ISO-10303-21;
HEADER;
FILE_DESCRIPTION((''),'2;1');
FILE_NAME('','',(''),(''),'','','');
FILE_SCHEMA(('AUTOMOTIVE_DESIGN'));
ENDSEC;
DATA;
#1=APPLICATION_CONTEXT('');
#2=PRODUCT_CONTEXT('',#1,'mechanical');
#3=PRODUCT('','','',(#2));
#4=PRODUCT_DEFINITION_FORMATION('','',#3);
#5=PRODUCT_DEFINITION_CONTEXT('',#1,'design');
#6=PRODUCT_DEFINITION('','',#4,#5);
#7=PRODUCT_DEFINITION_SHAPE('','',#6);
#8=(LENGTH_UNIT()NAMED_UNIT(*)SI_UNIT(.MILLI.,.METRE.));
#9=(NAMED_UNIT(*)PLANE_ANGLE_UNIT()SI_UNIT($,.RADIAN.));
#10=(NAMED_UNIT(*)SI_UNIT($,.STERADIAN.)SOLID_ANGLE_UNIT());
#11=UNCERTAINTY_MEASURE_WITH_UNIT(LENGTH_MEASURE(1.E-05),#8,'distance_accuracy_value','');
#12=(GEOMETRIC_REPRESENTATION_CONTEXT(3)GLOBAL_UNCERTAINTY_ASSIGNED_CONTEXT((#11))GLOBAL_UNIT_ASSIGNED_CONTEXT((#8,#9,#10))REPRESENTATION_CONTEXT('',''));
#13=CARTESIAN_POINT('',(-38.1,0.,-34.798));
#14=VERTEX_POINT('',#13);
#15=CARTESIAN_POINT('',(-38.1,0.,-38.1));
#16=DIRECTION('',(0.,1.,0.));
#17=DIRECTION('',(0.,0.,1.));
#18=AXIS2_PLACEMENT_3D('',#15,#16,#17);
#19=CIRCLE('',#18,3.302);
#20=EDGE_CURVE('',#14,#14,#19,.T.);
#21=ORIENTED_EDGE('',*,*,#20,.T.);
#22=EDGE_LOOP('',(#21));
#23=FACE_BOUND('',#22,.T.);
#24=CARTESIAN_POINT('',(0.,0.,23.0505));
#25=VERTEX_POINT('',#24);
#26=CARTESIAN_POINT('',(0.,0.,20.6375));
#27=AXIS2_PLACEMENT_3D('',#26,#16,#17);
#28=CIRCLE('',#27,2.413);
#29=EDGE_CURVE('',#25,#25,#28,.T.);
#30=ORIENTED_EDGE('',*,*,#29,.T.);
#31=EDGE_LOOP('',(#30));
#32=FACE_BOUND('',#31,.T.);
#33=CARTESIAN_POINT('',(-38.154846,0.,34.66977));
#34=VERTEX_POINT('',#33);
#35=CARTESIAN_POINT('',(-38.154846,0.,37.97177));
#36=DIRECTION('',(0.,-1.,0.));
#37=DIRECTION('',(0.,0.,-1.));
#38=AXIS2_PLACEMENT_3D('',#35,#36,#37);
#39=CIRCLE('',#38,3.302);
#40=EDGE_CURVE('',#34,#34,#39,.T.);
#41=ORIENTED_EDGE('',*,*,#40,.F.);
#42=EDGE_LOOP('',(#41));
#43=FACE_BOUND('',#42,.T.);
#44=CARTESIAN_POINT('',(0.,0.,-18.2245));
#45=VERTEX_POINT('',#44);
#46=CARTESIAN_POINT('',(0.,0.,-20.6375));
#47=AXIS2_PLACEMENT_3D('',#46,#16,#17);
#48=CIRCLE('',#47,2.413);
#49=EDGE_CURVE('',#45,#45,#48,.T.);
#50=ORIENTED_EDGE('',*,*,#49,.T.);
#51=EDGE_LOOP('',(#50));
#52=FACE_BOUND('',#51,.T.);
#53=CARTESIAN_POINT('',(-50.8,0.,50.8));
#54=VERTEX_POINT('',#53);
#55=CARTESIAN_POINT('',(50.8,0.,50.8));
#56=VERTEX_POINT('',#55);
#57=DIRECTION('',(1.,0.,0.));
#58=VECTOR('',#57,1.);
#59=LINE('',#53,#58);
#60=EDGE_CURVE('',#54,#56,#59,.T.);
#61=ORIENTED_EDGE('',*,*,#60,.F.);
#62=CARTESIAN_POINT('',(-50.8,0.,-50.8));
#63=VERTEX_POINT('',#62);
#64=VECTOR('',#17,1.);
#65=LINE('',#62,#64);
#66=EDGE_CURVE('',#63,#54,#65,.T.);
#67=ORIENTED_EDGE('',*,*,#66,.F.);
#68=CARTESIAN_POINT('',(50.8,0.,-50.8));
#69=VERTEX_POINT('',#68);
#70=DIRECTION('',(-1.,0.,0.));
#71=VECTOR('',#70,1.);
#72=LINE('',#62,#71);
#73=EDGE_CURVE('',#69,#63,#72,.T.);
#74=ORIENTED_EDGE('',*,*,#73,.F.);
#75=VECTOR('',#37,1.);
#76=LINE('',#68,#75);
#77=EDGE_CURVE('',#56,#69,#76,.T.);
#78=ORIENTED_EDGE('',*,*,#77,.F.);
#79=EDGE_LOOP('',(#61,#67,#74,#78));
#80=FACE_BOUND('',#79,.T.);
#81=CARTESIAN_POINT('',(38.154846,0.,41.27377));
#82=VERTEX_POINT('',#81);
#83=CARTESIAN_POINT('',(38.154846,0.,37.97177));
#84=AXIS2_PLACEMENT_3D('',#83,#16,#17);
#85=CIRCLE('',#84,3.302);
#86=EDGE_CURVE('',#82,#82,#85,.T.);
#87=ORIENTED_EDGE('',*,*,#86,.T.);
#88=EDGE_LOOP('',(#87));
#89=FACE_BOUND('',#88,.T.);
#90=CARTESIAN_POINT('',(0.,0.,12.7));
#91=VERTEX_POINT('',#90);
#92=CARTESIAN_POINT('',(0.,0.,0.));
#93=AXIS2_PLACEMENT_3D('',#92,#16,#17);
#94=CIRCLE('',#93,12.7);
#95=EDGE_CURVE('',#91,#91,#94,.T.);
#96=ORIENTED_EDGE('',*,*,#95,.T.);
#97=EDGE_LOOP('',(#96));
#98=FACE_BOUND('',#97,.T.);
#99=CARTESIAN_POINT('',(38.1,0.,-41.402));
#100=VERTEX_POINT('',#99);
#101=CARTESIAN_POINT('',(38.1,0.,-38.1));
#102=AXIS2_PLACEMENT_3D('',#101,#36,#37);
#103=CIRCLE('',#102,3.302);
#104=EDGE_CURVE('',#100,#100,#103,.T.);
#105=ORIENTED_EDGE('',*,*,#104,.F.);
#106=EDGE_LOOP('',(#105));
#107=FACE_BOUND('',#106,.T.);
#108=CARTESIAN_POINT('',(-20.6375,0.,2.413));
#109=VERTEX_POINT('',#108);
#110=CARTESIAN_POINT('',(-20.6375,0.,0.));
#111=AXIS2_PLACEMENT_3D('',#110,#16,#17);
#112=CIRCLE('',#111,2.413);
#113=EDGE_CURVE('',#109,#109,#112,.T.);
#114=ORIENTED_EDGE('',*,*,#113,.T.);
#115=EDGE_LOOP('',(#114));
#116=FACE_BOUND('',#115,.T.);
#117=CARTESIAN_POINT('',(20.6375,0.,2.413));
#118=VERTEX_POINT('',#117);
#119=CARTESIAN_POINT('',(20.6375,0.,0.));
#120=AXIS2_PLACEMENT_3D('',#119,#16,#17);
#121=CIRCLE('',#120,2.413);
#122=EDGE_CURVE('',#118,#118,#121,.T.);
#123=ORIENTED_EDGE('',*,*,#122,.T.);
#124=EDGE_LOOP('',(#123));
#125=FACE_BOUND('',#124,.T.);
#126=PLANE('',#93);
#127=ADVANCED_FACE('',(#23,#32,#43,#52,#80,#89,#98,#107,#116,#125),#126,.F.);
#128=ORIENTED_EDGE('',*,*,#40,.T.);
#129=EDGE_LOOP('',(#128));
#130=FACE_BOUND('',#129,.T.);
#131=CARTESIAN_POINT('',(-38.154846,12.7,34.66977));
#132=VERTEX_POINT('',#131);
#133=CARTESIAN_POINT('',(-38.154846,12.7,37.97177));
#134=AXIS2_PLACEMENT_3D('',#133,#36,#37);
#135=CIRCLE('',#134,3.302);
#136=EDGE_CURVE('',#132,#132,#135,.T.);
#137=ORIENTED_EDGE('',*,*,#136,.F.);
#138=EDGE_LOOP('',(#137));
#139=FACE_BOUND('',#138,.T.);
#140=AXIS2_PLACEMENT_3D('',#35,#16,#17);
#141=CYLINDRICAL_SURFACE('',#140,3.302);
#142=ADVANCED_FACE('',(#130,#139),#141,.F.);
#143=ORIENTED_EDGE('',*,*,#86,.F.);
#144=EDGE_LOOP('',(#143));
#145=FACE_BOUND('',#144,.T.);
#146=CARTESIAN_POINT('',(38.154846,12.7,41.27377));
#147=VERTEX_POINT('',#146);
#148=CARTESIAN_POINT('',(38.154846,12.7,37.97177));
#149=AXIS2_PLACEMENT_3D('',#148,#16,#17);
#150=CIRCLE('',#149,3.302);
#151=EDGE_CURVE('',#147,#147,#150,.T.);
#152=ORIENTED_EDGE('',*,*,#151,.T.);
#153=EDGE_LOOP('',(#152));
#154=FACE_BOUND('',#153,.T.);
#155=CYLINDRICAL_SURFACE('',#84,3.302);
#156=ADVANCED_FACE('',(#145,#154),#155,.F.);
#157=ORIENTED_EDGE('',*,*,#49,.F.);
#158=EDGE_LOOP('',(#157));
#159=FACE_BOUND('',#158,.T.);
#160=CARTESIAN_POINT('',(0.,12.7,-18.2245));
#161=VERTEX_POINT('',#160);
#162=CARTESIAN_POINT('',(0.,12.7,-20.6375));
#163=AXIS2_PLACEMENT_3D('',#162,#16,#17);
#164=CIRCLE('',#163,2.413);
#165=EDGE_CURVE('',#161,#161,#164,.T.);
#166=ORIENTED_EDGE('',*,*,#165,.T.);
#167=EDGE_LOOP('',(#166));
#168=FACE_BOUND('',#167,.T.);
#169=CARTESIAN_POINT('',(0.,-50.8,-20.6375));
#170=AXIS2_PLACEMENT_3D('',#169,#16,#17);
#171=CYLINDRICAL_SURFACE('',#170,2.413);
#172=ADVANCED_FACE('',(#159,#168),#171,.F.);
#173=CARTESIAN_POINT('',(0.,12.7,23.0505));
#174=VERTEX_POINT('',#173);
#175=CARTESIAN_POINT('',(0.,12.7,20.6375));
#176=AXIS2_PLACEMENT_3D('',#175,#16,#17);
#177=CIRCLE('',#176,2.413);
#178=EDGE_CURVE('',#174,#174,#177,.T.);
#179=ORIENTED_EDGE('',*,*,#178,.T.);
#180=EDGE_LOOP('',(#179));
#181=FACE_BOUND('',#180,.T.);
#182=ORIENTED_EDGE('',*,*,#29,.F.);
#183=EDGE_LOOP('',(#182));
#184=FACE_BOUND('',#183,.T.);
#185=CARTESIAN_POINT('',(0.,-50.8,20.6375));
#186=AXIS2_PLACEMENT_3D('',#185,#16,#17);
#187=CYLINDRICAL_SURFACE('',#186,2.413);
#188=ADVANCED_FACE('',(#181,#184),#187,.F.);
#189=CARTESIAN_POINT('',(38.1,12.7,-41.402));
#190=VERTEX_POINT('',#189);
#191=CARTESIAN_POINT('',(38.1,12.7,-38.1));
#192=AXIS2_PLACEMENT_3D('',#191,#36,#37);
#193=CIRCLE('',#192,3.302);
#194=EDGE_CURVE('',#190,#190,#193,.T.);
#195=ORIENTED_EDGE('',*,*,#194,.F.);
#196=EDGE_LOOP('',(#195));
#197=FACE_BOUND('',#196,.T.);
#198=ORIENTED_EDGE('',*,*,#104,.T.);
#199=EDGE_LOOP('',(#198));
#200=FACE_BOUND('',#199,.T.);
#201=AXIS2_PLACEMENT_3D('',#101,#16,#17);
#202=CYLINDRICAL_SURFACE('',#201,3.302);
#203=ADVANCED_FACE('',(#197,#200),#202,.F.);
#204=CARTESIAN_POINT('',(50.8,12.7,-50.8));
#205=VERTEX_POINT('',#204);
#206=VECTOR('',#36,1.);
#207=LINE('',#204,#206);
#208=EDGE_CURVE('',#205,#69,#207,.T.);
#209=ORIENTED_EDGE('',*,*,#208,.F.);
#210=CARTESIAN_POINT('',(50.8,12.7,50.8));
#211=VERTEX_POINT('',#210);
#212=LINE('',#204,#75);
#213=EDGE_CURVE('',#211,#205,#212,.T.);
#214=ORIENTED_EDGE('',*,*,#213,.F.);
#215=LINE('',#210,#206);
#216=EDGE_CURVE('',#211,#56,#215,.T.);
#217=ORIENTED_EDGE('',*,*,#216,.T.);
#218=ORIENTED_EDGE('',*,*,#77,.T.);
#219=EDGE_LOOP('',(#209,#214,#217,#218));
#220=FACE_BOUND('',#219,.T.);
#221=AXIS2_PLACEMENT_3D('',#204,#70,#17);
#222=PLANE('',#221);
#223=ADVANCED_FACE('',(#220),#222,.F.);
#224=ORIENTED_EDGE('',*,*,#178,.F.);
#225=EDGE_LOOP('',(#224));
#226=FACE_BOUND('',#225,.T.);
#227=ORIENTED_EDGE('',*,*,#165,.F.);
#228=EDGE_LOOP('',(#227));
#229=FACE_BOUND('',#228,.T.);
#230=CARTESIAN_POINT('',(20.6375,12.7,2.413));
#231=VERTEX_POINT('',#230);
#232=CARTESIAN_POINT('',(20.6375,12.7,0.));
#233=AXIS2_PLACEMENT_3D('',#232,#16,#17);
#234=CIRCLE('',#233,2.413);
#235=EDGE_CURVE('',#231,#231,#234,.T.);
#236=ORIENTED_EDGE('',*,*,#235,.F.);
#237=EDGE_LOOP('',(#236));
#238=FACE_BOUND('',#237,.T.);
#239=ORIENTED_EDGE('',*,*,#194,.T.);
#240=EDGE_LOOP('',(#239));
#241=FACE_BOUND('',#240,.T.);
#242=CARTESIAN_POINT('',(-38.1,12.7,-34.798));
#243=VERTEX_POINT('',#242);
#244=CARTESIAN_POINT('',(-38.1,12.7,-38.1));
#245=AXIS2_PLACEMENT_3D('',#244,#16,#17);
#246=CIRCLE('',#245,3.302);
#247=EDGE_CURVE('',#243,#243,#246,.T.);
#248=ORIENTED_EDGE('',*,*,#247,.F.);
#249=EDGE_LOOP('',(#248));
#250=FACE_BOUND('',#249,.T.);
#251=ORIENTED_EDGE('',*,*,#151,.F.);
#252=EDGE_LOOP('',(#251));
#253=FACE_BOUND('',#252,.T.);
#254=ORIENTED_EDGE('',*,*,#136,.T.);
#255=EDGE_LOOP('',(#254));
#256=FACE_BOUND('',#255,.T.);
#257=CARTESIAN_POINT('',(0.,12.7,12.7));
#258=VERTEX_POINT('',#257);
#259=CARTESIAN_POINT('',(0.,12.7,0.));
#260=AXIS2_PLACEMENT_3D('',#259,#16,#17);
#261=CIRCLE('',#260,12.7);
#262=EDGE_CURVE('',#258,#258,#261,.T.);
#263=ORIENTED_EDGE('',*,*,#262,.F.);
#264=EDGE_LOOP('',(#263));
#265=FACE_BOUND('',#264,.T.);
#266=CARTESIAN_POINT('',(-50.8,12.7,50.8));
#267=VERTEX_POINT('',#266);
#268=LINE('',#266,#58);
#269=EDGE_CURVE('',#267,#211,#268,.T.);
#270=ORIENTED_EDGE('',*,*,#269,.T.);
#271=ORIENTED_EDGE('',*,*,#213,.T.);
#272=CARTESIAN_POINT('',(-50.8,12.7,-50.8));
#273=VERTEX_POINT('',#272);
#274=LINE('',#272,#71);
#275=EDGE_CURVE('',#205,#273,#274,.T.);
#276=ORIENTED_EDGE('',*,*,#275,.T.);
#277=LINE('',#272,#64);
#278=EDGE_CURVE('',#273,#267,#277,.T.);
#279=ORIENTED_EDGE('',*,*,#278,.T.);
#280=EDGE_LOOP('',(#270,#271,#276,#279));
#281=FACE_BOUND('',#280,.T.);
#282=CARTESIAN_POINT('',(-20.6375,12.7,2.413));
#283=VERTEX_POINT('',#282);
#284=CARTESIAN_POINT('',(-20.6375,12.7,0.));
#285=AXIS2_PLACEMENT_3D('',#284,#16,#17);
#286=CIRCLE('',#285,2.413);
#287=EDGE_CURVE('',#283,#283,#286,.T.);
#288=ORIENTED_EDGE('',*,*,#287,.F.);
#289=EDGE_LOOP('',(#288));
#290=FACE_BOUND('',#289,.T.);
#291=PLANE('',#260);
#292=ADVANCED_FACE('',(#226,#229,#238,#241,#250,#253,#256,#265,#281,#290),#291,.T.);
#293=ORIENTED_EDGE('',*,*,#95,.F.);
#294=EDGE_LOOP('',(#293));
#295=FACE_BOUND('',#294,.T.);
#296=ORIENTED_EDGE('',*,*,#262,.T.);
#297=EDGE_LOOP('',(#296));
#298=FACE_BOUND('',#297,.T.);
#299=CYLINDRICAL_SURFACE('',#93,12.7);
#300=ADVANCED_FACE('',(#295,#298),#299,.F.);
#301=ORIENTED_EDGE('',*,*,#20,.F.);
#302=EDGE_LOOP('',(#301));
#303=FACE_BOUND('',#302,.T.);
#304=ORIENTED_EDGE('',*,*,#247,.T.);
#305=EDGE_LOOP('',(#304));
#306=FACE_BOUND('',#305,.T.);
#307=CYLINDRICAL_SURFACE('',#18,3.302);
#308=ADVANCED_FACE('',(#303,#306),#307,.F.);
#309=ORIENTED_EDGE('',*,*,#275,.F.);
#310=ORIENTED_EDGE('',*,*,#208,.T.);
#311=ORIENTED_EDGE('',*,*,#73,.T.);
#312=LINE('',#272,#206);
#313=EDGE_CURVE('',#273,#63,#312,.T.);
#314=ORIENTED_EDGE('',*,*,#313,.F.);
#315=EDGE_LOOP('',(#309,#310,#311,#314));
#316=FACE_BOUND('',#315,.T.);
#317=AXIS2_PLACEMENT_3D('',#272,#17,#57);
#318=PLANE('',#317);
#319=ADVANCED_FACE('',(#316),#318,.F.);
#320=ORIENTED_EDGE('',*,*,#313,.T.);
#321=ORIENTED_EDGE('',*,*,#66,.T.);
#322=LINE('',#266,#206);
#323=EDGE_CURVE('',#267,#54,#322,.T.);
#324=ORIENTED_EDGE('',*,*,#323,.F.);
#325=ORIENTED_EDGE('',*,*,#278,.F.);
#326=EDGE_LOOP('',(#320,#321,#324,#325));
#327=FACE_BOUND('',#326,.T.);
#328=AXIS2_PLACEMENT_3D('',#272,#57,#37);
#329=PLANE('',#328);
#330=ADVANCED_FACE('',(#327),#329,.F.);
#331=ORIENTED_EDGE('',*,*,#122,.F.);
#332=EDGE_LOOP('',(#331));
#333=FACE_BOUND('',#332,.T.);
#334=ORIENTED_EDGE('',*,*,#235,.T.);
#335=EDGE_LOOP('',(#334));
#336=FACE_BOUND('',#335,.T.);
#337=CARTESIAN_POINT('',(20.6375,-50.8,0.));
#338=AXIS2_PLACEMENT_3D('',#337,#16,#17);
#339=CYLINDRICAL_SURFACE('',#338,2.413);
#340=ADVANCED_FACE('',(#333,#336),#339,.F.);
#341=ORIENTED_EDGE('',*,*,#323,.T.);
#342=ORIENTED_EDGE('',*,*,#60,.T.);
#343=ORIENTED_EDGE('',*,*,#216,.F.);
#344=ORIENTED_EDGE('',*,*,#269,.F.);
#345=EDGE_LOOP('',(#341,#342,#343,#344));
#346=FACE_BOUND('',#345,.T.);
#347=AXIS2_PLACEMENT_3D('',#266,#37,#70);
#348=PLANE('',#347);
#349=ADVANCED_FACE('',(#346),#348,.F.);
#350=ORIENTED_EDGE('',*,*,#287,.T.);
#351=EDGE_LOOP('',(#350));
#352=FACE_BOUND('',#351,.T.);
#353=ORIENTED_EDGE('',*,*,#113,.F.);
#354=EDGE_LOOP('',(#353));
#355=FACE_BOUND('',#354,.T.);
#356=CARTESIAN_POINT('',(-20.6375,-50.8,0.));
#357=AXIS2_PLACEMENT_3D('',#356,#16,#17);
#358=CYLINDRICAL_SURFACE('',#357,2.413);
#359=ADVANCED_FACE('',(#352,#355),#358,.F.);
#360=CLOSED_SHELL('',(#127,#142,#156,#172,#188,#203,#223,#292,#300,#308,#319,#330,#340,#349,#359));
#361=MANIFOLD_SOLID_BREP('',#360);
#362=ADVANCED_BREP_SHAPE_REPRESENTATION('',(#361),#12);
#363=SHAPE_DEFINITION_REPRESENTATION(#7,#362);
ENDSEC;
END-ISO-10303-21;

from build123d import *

# Parameters (mm, degrees)
SKETCH2_W           = 101.6
SKETCH2_H           = 101.6
BOSS_EXTRUDE1_DEPTH = 12.7
SKETCH3_R           = 3.302
CUT_EXTRUDE1_DEPTH  = 12.7
SKETCH4_R           = 12.7
CUT_EXTRUDE2_DEPTH  = 12.7
SKETCH5_R           = 2.413
CUT_EXTRUDE3_DEPTH  = 63.5


with BuildPart() as part:
    # Sketch2 → Boss-Extrude1 (new body)
    with BuildSketch(Plane(origin=(0, 0, 0), x_dir=(1, 0, 0), z_dir=(0, 1, 0))):
        Rectangle(SKETCH2_W, SKETCH2_H)
    extrude(amount=BOSS_EXTRUDE1_DEPTH)

    # Sketch3 → Cut-Extrude1 (cut)
    with BuildSketch(Plane(origin=(0, 12.7, 0), x_dir=(1, 0, 0), z_dir=(0, 1, 0))):
        with Locations(Location((-38.1, 38.1, 0), (0, 0, 270))):
            Circle(SKETCH3_R)
        with Locations(Location((-38.15484628, -37.971770083, 0), (0, 0, 90))):
            Circle(SKETCH3_R)
        with Locations(Location((38.15484628, -37.971770083, 0), (0, 0, 270))):
            Circle(SKETCH3_R)
        with Locations(Location((38.1, 38.1, 0), (0, 0, 90))):
            Circle(SKETCH3_R)
    extrude(amount=-CUT_EXTRUDE1_DEPTH, mode=Mode.SUBTRACT)

    # Sketch4 → Cut-Extrude2 (cut)
    with BuildSketch(Plane(origin=(0, 12.7, 0), x_dir=(1, 0, 0), z_dir=(0, 1, 0))):
        with Locations(Location((0, 0, 0), (0, 0, 270))):
            Circle(SKETCH4_R)
    extrude(amount=-CUT_EXTRUDE2_DEPTH, mode=Mode.SUBTRACT)

    # Sketch5 → Cut-Extrude3 (cut)
    with BuildSketch(Plane(origin=(0, 12.7, 0), x_dir=(1, 0, 0), z_dir=(0, 1, 0))):
        with Locations(Location((0, 20.6375, 0), (0, 0, 270))):
            Circle(SKETCH5_R)
        with Locations(Location((20.6375, 0, 0), (0, 0, 270))):
            Circle(SKETCH5_R)
        with Locations(Location((0, -20.6375, 0), (0, 0, 270))):
            Circle(SKETCH5_R)
        with Locations(Location((-20.6375, 0, 0), (0, 0, 270))):
            Circle(SKETCH5_R)
    extrude(amount=-CUT_EXTRUDE3_DEPTH, mode=Mode.SUBTRACT)


solid = part.part
